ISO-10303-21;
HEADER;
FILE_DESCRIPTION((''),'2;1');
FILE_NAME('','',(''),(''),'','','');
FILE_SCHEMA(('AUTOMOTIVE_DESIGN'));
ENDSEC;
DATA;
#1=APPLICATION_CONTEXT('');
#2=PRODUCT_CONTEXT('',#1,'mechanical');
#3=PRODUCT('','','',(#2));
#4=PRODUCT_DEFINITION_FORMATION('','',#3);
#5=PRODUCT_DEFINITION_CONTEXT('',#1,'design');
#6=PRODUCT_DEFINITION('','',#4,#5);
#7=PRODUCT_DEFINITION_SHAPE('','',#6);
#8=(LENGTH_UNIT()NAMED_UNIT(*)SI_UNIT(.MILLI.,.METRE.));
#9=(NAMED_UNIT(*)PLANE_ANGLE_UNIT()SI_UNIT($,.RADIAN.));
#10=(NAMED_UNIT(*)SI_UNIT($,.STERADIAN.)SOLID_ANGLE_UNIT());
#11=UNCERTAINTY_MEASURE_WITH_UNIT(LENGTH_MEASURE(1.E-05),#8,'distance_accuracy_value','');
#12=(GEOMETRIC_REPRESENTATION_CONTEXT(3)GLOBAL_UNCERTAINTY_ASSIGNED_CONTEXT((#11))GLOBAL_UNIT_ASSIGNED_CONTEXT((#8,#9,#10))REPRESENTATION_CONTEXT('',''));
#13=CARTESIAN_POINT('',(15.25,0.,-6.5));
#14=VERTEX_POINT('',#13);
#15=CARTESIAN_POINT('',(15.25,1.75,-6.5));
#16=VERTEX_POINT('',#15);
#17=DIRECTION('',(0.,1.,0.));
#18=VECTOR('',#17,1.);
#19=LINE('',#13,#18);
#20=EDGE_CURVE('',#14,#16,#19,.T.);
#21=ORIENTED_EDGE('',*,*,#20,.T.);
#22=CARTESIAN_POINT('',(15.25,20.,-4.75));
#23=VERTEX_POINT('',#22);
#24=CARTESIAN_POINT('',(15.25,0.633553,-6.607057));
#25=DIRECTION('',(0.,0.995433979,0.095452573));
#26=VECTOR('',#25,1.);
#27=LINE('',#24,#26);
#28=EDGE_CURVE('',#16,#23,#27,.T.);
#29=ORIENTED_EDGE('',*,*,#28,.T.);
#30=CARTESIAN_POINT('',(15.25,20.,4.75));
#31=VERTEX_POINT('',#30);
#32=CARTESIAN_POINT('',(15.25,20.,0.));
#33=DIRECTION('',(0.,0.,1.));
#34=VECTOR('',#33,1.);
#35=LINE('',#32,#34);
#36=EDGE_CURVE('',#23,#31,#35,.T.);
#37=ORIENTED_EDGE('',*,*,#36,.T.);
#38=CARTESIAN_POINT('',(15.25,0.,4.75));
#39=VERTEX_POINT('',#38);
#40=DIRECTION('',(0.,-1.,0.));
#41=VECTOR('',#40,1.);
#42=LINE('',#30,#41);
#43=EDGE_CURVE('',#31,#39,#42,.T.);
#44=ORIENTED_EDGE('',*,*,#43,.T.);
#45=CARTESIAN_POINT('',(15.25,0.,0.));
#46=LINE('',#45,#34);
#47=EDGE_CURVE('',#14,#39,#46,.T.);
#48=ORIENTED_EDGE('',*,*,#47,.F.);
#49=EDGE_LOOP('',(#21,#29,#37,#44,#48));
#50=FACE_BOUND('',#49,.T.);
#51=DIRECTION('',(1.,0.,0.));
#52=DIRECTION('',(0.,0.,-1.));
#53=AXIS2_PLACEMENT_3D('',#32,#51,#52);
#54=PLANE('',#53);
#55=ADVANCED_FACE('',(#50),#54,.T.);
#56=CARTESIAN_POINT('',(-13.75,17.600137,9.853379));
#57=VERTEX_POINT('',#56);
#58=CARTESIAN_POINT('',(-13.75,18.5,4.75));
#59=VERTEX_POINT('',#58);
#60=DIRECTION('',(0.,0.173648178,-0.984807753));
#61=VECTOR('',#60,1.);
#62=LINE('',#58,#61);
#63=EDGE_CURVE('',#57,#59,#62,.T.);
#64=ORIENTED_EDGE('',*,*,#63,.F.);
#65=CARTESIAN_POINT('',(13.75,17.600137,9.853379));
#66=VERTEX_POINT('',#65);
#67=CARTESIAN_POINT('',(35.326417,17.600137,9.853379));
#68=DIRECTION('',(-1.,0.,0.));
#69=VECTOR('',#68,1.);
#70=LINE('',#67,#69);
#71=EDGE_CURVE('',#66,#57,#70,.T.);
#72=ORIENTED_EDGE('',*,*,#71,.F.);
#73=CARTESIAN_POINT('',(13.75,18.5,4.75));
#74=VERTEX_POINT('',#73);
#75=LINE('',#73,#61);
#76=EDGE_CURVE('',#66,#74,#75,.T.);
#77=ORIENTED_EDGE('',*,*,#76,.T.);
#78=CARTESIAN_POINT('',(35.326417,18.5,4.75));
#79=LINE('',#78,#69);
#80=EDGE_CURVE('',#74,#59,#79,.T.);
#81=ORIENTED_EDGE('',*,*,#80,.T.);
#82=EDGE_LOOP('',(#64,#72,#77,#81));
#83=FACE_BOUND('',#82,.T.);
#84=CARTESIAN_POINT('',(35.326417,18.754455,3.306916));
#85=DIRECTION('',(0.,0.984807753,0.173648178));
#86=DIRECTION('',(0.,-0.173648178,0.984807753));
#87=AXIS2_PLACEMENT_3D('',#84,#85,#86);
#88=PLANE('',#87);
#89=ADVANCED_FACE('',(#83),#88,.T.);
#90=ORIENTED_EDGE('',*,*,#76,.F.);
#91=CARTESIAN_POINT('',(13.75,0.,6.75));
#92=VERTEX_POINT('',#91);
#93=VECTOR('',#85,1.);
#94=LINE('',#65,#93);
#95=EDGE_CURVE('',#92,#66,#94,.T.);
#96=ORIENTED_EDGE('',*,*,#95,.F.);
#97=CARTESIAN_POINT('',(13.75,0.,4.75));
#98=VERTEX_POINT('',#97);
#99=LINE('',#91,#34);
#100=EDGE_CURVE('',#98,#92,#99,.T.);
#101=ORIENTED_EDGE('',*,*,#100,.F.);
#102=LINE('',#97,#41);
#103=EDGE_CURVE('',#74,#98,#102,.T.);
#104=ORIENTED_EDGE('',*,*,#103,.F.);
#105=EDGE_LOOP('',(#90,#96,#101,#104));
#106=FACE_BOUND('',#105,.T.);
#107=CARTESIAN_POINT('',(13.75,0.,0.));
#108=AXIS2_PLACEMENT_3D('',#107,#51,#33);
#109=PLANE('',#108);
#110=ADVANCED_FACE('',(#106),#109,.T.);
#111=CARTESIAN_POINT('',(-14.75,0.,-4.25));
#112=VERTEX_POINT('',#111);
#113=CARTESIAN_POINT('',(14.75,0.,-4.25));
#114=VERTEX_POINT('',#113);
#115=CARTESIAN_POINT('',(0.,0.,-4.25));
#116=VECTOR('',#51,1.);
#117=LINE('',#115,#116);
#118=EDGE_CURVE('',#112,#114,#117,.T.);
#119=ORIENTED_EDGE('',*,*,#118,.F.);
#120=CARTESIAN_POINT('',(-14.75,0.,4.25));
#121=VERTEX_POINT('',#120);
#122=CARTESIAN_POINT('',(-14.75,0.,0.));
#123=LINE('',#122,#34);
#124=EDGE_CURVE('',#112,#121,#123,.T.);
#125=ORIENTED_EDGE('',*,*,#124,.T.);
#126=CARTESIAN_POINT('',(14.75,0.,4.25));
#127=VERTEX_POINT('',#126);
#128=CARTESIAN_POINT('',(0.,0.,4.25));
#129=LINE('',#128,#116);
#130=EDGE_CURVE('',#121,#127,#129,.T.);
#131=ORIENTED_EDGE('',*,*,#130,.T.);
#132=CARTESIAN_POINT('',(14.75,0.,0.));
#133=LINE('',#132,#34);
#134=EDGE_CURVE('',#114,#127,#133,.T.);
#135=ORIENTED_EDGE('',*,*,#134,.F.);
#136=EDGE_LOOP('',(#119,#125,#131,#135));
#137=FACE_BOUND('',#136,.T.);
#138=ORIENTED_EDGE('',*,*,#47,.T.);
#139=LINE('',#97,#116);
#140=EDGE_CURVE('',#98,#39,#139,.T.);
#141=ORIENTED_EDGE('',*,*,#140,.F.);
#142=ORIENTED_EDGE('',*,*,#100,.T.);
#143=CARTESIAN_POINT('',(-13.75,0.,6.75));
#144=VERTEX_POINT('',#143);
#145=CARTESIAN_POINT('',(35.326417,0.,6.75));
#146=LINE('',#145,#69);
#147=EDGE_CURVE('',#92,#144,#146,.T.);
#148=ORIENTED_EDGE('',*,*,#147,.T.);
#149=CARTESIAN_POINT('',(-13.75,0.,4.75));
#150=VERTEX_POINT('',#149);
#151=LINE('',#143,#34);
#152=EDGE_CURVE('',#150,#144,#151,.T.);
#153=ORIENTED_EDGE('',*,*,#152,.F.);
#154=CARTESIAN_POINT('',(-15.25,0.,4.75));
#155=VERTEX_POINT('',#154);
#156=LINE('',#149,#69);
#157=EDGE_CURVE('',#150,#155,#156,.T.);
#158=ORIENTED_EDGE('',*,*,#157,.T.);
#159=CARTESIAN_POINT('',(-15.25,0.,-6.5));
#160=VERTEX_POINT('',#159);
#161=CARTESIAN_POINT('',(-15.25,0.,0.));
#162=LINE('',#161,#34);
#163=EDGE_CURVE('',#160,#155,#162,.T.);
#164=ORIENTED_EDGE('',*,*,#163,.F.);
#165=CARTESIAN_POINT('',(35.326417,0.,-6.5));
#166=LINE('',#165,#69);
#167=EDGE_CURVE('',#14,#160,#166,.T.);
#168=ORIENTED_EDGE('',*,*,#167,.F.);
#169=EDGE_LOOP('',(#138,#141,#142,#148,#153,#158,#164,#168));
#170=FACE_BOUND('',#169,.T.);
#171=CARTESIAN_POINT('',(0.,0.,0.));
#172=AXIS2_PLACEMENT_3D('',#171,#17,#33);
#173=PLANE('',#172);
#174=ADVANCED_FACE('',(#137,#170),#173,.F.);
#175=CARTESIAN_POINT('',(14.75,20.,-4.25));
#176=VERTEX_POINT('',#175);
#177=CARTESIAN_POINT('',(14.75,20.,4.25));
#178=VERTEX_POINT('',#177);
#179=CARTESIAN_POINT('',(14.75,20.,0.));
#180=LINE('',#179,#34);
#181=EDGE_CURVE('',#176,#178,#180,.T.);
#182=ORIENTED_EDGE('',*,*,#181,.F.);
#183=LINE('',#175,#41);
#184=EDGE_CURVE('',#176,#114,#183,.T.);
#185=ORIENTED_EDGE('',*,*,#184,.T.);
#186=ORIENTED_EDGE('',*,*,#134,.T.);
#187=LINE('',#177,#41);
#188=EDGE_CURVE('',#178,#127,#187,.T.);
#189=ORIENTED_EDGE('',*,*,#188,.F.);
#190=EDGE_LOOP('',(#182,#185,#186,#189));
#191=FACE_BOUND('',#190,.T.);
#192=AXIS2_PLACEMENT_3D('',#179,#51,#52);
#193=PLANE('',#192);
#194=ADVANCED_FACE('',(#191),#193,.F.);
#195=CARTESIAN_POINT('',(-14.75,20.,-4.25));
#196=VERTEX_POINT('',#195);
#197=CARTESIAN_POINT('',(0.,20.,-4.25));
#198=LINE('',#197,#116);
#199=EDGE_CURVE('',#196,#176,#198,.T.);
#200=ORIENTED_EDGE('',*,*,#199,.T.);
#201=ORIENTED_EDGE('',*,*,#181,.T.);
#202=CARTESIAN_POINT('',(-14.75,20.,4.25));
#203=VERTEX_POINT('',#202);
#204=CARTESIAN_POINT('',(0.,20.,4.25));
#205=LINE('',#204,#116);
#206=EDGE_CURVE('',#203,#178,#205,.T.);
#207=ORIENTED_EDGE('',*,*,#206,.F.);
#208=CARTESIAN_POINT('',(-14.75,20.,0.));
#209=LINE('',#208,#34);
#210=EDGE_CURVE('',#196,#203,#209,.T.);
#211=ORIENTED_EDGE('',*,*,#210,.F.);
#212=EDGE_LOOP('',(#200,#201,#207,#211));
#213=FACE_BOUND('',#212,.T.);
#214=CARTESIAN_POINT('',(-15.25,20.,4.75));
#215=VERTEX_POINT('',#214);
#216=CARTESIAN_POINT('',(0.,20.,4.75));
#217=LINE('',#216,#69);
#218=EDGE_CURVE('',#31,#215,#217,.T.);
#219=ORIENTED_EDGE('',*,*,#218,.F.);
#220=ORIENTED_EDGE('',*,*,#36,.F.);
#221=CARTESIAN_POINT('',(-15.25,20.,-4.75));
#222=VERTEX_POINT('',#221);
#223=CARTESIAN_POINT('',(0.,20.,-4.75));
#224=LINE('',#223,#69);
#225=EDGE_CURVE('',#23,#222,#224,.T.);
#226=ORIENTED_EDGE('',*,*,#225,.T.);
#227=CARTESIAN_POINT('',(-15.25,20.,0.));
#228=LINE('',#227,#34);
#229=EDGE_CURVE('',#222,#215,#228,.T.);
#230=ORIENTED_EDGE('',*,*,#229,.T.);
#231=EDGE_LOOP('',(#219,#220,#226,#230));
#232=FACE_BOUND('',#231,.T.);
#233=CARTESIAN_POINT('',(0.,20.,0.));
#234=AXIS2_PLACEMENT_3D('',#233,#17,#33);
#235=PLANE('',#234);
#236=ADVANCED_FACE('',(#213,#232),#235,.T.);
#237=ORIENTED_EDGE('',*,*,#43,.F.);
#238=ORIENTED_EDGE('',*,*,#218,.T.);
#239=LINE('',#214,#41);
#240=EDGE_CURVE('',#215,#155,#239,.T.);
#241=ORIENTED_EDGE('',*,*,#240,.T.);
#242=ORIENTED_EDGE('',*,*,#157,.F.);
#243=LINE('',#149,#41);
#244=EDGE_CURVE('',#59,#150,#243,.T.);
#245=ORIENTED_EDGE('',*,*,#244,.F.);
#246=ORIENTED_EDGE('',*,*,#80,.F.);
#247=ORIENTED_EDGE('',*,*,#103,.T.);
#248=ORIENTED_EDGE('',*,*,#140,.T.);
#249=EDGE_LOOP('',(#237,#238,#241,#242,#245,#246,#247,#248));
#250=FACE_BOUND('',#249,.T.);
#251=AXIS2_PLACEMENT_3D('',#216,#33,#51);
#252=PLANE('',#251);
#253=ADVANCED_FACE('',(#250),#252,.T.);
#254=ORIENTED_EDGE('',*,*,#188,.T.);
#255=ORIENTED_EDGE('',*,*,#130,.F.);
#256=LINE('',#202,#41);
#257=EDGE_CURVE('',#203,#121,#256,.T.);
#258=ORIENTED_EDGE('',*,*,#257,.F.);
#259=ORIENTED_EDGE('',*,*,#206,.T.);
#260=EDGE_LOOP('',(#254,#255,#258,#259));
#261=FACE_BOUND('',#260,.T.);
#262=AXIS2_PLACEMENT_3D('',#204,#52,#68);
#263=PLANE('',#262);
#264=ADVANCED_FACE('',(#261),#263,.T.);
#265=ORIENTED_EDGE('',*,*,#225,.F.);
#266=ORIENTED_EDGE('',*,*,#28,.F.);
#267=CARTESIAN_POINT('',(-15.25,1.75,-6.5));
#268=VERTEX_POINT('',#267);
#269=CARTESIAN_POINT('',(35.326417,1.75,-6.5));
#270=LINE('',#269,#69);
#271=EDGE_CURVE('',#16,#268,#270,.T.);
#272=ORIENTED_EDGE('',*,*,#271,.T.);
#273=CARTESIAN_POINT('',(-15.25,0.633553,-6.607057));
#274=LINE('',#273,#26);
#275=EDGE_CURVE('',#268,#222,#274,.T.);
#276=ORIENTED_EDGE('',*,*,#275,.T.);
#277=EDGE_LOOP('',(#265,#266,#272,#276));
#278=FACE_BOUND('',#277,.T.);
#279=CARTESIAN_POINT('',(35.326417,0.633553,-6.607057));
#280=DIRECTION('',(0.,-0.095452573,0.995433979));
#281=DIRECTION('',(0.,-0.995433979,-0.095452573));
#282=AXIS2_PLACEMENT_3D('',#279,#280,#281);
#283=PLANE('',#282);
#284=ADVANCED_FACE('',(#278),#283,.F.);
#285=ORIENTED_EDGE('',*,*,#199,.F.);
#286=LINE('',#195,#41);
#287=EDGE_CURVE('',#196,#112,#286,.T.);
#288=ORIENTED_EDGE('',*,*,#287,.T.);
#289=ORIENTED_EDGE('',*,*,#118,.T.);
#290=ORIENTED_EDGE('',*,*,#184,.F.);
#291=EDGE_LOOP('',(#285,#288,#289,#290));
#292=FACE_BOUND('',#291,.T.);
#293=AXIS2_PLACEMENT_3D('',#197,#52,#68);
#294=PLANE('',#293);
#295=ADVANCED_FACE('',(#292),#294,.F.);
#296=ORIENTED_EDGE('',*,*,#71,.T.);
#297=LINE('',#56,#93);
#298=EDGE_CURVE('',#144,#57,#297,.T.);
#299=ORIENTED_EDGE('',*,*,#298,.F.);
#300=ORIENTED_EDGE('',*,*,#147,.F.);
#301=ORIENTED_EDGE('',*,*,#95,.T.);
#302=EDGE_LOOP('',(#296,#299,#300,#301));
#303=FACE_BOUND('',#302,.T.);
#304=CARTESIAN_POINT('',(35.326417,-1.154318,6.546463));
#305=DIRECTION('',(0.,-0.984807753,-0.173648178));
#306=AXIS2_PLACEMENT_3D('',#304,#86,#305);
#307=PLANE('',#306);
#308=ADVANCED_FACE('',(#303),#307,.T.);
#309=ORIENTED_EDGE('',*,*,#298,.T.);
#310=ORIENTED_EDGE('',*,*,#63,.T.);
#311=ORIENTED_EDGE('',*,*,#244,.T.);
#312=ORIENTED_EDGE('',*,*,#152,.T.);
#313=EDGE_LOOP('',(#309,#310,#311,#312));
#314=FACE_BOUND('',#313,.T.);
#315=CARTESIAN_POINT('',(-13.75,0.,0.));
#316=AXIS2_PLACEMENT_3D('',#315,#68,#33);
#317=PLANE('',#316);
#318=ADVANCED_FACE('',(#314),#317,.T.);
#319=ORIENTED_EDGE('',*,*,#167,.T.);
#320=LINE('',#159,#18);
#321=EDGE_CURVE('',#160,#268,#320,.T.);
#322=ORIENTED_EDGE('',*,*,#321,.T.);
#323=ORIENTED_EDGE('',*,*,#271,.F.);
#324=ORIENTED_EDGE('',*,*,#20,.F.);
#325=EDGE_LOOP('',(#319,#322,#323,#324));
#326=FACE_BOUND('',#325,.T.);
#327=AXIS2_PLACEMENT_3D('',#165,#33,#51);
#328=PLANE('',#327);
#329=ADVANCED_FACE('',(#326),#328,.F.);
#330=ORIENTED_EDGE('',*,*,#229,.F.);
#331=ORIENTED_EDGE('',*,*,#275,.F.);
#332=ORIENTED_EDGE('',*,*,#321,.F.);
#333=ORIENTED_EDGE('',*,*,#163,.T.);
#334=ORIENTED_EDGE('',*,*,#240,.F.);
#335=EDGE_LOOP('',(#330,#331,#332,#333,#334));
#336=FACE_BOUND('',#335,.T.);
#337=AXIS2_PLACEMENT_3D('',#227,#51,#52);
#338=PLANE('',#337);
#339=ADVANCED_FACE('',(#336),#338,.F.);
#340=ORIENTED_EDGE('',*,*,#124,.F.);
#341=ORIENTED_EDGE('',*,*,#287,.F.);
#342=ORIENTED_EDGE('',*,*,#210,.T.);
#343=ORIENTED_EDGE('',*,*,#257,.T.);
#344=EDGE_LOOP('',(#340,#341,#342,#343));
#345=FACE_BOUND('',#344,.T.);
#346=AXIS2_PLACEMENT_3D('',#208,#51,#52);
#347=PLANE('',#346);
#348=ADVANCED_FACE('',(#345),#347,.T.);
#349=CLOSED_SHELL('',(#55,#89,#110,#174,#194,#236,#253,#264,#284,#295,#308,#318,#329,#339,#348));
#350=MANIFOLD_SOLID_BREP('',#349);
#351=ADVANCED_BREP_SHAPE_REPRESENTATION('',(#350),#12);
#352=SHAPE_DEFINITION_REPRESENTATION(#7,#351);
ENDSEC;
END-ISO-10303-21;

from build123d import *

# Parameters (mm, degrees)
SKETCH1_W           = 30.5
SKETCH1_H           = 9.5
SKETCH1_W_2         = 29.5
SKETCH1_H_2         = 8.5
BOSS_EXTRUDE1_DEPTH = 20
BOSS_EXTRUDE2_DEPTH = 30.5
CUT_EXTRUDE1_DEPTH  = 1.5


with BuildPart() as part:
    # Sketch1 → Boss-Extrude1 (new body)
    with BuildSketch(Plane(origin=(0, 0, 0), x_dir=(1, 0, 0), z_dir=(0, 1, 0))):
        Rectangle(SKETCH1_W, SKETCH1_H)
        Rectangle(SKETCH1_W_2, SKETCH1_H_2, mode=Mode.SUBTRACT)
    extrude(amount=BOSS_EXTRUDE1_DEPTH)

    # Sketch2 → Boss-Extrude2 (add)
    with BuildSketch(Plane.ZY.offset(15.25)):
        Polygon((6.75, 18.147346039), (6.75, 0), (9.853378947, 17.600136599), align=None)
        Polygon((4.75, 18.5), (4.75, 0), (6.75, 0), (6.75, 18.147346039), align=None)
        Polygon((-6.5, 1.75), (-4.75, 20), (-4.75, 0), (-6.5, 0), align=None)
    extrude(amount=-BOSS_EXTRUDE2_DEPTH)

    # Sketch3 → Cut-Extrude1 (cut)
    with BuildSketch(Plane.ZY.offset(15.25)):
        Polygon((4.75, 18.5), (9.853378947, 17.600136599), (6.75, 0), (4.75, 0), align=None)
    cut_extrude1 = extrude(amount=-CUT_EXTRUDE1_DEPTH, mode=Mode.SUBTRACT)

    # Mirror1: Cut-Extrude1 across plane
    add(cut_extrude1.mirror(Plane.ZY), mode=Mode.SUBTRACT)


solid = part.part
